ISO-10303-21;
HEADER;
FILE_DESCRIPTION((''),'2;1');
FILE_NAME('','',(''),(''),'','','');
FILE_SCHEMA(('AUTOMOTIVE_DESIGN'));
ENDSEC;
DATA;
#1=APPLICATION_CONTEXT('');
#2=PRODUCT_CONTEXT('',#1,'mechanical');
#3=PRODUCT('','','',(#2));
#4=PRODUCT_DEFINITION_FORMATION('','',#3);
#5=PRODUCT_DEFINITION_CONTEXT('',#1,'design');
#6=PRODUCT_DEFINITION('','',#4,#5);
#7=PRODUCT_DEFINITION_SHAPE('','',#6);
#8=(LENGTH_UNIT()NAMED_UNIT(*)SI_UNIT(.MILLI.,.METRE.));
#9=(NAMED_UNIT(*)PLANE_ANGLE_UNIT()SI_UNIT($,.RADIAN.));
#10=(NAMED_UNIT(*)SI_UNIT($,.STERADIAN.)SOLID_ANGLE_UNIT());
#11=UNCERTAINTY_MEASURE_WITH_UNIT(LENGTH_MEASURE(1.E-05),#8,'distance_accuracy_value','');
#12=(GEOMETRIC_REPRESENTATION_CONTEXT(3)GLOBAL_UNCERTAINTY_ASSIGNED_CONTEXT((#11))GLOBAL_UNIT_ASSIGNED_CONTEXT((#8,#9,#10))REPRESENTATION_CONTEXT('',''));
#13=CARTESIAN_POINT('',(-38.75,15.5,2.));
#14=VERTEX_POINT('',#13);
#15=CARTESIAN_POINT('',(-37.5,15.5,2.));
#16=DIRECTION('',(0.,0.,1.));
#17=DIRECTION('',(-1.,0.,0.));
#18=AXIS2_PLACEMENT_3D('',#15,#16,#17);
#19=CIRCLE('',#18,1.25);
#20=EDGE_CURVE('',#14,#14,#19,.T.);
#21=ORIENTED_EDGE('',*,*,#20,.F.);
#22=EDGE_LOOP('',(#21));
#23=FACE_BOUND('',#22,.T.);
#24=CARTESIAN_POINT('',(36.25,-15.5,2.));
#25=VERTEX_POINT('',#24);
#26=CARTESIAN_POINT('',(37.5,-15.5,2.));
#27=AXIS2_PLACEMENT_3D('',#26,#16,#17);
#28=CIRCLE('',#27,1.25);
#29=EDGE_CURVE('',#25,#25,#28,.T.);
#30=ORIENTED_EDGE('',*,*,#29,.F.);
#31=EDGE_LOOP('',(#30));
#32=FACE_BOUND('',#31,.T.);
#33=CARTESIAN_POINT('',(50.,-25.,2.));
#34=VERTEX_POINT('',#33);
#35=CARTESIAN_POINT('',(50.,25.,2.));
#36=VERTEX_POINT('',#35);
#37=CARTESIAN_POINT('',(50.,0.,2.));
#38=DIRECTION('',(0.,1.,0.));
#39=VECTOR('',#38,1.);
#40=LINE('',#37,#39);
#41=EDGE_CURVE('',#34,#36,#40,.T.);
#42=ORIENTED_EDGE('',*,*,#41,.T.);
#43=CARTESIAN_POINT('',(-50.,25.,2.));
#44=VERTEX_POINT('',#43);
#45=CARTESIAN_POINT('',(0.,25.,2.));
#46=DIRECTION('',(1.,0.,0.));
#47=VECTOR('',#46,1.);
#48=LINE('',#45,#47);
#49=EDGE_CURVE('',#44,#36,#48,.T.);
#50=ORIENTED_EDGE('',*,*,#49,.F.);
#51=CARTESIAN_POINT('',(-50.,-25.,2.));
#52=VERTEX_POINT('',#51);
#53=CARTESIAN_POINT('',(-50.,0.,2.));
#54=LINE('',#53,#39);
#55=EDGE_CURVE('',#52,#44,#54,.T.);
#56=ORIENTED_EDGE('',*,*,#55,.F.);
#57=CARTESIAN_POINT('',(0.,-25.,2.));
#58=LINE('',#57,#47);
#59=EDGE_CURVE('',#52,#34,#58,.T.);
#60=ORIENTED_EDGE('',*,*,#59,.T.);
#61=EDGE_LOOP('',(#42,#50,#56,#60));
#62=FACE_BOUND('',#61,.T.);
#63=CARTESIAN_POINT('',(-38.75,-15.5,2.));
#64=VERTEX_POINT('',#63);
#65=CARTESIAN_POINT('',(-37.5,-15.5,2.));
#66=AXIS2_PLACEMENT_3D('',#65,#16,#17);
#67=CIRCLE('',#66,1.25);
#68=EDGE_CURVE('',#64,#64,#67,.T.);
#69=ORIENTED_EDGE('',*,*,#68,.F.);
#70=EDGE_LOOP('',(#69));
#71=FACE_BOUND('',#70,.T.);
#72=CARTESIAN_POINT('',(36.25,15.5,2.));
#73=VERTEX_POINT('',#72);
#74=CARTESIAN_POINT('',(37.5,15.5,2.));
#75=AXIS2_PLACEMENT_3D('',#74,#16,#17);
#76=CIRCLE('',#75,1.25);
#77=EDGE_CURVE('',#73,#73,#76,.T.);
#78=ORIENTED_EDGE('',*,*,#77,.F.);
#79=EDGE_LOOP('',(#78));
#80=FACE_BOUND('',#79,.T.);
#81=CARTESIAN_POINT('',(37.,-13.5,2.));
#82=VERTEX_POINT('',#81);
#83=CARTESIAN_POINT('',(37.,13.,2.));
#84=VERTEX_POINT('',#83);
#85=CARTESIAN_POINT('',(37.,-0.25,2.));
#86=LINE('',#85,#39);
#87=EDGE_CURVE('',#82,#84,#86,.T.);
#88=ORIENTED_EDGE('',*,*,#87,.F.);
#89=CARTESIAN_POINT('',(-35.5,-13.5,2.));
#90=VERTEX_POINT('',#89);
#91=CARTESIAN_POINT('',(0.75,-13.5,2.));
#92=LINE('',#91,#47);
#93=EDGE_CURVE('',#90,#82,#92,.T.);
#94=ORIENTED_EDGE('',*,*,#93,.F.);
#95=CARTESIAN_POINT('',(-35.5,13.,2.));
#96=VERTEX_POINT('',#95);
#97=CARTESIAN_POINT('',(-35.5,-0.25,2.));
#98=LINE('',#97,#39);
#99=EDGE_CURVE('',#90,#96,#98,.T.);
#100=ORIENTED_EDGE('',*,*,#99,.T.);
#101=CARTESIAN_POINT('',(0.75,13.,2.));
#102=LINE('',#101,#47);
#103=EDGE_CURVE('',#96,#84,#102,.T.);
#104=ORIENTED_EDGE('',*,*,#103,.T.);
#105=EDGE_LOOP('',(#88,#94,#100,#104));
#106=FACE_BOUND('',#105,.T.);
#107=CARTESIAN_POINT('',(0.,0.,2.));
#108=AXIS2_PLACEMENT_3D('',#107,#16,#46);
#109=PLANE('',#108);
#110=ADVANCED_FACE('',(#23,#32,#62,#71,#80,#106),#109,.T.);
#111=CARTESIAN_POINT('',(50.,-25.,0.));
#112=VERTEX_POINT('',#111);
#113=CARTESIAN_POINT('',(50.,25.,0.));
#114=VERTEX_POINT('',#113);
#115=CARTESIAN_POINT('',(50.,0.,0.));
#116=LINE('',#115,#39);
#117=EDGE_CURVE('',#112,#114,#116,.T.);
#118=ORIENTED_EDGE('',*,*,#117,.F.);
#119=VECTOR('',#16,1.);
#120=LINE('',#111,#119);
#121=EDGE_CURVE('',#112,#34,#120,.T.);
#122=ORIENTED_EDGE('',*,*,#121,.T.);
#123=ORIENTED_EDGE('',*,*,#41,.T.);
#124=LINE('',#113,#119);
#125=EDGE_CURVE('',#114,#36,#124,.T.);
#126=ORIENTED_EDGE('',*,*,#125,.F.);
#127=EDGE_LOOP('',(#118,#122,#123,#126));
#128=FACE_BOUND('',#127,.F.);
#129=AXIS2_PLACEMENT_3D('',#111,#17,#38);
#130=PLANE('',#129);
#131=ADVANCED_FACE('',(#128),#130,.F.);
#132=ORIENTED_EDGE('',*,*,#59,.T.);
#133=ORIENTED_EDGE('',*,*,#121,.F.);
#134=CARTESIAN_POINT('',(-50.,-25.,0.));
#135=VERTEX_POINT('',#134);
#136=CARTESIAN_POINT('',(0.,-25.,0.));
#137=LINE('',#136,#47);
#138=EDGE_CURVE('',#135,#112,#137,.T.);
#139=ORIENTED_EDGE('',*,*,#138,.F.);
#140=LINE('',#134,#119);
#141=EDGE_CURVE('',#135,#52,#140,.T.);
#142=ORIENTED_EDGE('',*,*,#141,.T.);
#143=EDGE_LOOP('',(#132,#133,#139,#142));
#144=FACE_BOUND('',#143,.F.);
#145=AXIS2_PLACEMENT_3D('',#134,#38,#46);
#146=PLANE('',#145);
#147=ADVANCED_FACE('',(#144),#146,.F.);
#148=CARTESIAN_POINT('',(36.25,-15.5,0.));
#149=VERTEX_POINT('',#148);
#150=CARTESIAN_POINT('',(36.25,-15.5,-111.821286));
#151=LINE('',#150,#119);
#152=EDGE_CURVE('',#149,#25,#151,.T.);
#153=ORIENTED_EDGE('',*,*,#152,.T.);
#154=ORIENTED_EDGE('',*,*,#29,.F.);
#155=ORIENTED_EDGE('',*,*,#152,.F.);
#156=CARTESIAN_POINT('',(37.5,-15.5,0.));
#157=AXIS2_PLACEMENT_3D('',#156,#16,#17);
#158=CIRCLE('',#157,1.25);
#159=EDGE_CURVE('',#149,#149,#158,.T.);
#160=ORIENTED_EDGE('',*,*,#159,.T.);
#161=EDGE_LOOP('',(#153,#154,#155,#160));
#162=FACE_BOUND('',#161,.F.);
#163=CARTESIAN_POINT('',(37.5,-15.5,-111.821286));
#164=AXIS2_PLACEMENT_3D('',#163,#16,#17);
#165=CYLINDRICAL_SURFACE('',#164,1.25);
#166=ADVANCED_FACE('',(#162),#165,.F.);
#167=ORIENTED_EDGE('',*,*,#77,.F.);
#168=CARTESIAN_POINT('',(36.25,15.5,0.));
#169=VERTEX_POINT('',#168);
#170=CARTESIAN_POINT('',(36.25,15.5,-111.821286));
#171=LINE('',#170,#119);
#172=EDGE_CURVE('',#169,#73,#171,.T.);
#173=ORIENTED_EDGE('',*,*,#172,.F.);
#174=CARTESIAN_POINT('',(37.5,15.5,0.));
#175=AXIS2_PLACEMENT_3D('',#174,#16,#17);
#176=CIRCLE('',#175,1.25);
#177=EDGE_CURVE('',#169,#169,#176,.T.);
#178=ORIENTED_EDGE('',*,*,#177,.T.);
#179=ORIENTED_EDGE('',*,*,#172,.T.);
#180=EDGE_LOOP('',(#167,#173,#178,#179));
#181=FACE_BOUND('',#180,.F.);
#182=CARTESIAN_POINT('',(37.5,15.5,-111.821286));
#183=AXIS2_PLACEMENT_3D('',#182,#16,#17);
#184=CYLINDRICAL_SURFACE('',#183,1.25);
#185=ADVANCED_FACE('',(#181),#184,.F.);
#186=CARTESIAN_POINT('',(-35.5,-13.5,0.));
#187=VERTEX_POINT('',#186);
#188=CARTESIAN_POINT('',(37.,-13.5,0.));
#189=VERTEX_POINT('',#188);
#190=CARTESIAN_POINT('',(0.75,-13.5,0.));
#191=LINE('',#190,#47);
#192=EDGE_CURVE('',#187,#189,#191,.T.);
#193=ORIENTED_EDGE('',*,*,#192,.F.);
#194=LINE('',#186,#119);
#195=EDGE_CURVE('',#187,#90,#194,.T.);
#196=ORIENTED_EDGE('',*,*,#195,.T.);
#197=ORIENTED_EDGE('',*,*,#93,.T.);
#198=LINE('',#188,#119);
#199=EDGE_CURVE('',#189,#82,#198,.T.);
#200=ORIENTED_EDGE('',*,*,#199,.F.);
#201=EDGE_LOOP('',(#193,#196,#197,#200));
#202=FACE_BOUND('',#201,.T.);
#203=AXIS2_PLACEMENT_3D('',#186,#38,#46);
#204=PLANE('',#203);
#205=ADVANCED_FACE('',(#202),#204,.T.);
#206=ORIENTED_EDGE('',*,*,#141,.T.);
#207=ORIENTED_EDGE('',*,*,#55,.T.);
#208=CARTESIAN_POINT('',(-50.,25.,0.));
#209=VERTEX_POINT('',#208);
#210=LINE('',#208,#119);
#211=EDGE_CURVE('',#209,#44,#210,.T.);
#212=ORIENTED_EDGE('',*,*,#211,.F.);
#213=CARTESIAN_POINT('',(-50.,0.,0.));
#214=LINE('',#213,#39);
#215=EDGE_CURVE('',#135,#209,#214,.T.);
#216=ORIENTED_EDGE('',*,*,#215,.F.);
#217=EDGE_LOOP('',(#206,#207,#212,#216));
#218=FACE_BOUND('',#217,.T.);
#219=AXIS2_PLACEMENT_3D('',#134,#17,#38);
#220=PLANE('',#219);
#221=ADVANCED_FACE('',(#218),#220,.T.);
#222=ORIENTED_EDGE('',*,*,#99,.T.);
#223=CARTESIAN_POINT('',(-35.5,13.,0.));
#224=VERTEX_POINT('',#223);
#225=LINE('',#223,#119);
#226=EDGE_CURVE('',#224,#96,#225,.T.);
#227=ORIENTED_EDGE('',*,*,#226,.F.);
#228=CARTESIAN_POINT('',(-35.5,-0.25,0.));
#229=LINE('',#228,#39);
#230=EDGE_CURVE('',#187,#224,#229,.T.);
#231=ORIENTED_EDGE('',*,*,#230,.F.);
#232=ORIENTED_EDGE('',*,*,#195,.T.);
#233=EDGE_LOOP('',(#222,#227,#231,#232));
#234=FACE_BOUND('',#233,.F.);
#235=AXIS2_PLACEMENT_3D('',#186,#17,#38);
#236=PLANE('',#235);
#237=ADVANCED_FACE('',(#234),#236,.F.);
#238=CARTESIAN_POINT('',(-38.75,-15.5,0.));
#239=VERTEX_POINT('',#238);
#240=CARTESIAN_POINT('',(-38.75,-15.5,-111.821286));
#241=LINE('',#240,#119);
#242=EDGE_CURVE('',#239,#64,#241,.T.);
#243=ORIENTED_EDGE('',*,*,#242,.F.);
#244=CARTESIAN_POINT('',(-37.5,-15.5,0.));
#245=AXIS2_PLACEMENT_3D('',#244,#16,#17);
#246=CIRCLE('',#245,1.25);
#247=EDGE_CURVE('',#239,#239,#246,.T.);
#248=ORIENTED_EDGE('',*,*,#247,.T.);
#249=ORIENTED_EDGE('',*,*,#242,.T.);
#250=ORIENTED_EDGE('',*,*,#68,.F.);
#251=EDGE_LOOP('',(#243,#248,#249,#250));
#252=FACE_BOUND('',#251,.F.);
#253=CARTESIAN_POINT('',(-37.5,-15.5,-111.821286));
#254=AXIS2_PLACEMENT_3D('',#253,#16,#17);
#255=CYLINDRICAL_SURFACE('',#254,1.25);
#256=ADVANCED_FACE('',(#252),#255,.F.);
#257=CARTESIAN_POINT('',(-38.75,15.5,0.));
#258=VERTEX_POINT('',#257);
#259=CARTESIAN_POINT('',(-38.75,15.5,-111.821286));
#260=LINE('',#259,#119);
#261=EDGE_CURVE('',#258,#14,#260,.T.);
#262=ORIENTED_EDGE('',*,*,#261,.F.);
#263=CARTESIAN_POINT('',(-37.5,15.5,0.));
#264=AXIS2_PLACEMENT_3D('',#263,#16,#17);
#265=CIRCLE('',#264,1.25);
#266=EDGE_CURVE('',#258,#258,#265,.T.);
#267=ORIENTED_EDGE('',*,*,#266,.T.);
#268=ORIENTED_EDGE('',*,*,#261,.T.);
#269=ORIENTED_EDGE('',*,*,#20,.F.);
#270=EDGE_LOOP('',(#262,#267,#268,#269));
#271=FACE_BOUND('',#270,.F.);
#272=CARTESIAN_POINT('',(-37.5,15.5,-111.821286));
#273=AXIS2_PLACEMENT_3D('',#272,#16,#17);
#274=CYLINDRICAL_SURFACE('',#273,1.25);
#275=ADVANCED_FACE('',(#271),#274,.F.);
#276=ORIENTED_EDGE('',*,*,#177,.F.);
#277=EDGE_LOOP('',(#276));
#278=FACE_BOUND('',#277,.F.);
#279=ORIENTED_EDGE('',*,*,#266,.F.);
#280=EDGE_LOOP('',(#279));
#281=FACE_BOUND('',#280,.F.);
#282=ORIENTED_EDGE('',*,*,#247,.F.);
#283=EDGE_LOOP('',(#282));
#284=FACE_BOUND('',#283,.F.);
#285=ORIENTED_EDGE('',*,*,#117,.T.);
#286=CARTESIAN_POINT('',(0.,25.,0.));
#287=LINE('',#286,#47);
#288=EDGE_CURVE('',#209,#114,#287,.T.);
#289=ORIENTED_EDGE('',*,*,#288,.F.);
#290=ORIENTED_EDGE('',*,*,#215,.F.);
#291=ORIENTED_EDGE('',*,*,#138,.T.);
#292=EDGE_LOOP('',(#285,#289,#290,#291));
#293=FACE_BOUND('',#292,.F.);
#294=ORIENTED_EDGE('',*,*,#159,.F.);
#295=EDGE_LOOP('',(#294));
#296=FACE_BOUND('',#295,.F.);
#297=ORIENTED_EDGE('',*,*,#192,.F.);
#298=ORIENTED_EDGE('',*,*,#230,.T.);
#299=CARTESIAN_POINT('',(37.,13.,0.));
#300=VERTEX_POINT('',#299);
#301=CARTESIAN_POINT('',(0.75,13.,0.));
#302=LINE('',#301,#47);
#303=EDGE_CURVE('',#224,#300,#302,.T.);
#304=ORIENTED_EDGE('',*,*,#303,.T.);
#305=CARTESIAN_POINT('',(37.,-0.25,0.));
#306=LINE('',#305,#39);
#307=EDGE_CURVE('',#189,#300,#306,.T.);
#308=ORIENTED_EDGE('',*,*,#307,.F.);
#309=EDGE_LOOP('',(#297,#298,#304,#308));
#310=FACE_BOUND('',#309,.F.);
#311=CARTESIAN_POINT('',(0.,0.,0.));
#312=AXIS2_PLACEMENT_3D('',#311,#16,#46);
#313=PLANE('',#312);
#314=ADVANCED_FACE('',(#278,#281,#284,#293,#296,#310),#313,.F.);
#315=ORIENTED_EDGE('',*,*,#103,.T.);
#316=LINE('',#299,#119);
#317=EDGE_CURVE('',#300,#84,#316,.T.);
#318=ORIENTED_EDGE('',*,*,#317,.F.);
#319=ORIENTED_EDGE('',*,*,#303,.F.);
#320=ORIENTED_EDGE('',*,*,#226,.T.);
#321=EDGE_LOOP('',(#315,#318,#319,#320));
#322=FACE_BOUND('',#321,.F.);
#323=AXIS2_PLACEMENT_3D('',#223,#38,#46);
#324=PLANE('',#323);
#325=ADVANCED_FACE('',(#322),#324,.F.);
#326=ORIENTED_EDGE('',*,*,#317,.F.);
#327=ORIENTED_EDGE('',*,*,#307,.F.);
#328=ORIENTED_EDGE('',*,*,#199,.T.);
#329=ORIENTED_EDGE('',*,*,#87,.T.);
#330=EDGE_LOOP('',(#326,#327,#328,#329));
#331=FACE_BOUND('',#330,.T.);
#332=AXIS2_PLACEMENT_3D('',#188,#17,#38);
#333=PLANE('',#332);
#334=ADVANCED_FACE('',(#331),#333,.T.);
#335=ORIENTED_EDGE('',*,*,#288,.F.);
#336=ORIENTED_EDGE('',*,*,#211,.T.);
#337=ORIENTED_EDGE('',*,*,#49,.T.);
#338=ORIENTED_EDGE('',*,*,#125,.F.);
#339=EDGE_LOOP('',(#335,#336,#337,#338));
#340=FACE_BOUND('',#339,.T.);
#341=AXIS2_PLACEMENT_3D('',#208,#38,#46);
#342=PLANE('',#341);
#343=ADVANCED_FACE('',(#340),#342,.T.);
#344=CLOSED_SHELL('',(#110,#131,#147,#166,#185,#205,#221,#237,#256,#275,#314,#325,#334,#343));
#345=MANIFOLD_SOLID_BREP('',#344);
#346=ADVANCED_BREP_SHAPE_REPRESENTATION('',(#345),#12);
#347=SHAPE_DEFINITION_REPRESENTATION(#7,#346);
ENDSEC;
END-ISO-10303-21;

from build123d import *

# Parameters (mm, degrees)
F0_W     = 100
F0_H     = 50
F0_W_2   = 72.5
F0_H_2   = 26.5
F1_DEPTH = 2
F2_D     = 2.5


with BuildPart() as f1:
    # F0 (on Top) → F1 (new body)
    with BuildSketch(Plane.XY):
        Rectangle(F0_W, F0_H)
        with Locations((0.75, -0.25)):
            Rectangle(F0_W_2, F0_H_2, mode=Mode.SUBTRACT)
    extrude(amount=F1_DEPTH)

    # F2 (through all)
    with Locations(Plane(origin=(0, 0, 0), x_dir=(1, 0, 0), z_dir=(0, 0, -1))):
        with Locations((-37.5, -15.5), (-37.5, 15.5), (37.5, 15.5), (37.5, -15.5)):
            Hole(F2_D / 2)


solid = f1.part
